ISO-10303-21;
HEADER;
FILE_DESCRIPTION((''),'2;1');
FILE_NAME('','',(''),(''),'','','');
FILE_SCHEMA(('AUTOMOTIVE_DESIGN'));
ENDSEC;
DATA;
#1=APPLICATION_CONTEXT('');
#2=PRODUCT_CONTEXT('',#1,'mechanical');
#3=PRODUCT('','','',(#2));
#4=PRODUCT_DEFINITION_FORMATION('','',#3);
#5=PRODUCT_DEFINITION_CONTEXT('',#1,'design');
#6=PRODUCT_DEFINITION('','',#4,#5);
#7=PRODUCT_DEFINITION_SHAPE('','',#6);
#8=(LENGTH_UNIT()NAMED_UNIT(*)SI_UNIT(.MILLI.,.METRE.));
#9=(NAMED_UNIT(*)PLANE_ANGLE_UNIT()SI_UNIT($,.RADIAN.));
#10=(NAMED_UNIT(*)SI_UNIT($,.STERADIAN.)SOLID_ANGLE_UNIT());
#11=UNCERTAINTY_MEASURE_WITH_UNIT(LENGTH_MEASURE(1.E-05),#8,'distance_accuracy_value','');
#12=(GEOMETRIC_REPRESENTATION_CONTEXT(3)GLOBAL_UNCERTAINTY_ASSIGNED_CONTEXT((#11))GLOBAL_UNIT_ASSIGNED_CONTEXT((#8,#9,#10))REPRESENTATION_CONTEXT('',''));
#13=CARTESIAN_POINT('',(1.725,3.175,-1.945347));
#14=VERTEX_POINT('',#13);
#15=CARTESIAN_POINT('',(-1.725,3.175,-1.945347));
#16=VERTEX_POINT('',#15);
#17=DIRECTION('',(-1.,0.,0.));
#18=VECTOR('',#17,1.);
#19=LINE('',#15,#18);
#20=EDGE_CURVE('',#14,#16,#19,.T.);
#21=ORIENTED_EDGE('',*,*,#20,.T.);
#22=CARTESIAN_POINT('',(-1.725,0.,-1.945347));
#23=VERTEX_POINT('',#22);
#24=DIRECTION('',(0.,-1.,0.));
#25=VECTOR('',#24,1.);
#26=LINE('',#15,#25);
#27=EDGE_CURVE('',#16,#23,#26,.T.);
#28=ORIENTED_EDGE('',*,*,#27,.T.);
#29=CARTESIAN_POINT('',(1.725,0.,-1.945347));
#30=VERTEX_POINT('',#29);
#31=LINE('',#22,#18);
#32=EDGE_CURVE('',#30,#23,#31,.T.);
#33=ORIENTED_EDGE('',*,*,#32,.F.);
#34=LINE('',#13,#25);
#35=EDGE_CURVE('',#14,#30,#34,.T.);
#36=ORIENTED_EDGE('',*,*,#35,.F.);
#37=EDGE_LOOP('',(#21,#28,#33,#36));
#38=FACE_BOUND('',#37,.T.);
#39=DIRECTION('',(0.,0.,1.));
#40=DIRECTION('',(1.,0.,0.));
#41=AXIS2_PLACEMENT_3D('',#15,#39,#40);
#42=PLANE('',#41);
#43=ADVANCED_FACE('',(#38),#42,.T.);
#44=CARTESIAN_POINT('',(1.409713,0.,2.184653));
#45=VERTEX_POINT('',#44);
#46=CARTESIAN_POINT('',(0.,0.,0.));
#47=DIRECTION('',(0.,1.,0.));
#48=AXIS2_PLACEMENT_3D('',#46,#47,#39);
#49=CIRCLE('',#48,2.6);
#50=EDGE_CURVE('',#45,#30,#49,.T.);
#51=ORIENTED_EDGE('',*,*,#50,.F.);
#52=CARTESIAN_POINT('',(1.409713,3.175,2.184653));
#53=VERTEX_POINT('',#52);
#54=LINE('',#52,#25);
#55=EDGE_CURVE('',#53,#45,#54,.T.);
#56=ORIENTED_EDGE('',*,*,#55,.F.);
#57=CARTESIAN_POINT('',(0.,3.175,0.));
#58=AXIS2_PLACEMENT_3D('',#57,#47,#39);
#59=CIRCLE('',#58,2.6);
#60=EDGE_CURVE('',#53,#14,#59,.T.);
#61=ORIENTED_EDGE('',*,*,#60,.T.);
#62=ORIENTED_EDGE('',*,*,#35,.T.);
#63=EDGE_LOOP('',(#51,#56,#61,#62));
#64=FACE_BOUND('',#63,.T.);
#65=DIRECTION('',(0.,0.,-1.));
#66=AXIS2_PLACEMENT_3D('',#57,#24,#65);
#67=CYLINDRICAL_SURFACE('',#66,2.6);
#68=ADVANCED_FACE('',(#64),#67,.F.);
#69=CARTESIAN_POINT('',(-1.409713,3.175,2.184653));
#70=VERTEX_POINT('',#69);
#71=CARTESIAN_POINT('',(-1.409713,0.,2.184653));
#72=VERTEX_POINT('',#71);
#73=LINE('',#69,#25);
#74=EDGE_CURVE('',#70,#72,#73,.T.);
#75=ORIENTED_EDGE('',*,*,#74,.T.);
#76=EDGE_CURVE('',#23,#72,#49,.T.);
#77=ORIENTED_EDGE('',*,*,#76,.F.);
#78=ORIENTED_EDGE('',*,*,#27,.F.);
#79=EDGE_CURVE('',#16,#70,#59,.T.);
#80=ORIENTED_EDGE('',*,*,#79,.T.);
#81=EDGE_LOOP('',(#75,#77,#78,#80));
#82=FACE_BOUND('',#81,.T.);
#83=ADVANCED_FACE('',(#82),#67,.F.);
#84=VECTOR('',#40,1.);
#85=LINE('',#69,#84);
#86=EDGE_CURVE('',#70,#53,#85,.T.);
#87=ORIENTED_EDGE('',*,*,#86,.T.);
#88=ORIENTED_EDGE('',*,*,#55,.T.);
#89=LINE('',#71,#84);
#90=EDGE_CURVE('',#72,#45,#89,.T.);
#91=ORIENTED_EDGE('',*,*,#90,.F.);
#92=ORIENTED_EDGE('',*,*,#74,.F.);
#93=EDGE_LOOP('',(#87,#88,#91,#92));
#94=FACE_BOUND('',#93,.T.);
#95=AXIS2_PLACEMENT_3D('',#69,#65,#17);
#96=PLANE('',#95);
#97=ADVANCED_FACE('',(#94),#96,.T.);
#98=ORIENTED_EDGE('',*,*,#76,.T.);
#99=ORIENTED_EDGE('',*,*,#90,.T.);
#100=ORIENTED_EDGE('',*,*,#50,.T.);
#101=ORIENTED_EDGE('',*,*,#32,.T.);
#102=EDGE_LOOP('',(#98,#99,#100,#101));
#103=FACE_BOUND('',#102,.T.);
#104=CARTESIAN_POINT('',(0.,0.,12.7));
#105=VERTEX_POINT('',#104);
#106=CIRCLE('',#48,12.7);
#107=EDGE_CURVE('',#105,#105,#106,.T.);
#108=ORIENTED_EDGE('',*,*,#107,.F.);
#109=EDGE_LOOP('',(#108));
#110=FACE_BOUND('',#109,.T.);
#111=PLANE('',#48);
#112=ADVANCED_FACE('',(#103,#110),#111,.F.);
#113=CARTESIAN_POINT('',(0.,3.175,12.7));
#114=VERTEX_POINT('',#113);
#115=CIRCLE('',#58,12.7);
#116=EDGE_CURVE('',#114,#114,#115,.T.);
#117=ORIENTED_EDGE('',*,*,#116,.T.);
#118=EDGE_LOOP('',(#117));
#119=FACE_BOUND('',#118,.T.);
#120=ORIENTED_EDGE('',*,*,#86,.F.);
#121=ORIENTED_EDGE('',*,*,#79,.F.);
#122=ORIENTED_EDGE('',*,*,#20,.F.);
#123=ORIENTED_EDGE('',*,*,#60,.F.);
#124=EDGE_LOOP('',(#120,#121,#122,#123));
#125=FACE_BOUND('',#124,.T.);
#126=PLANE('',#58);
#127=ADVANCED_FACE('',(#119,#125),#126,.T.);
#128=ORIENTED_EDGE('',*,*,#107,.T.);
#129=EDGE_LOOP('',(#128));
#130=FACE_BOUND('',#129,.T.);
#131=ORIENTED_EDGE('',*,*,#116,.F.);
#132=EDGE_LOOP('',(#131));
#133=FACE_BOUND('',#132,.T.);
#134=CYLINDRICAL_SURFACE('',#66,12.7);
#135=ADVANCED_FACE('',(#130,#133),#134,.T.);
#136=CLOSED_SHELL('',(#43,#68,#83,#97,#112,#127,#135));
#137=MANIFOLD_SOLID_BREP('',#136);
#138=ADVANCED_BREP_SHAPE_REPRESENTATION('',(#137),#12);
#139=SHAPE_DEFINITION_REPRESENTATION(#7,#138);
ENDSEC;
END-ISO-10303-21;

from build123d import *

# Parameters (mm, degrees)
SKETCH1_R           = 12.7
BOSS_EXTRUDE1_DEPTH = 3.175


with BuildPart() as part:
    # Sketch1 → Boss-Extrude1 (new body)
    with BuildSketch(Plane(origin=(0, 0, 0), x_dir=(1, 0, 0), z_dir=(0, 1, 0))):
        Circle(SKETCH1_R)
        with BuildLine():
            Line((-1.725, 1.945347013), (1.725, 1.945347013))
            ThreePointArc((1.725, 1.945347013), (2.592456696, -0.197909772), (1.409713207, -2.184652987))
            Line((1.409713207, -2.184652987), (-1.409713207, -2.184652987))
            ThreePointArc((-1.409713207, -2.184652987), (-2.592456696, -0.197909772), (-1.725, 1.945347013))
        make_face(mode=Mode.SUBTRACT)
    extrude(amount=BOSS_EXTRUDE1_DEPTH)


solid = part.part
